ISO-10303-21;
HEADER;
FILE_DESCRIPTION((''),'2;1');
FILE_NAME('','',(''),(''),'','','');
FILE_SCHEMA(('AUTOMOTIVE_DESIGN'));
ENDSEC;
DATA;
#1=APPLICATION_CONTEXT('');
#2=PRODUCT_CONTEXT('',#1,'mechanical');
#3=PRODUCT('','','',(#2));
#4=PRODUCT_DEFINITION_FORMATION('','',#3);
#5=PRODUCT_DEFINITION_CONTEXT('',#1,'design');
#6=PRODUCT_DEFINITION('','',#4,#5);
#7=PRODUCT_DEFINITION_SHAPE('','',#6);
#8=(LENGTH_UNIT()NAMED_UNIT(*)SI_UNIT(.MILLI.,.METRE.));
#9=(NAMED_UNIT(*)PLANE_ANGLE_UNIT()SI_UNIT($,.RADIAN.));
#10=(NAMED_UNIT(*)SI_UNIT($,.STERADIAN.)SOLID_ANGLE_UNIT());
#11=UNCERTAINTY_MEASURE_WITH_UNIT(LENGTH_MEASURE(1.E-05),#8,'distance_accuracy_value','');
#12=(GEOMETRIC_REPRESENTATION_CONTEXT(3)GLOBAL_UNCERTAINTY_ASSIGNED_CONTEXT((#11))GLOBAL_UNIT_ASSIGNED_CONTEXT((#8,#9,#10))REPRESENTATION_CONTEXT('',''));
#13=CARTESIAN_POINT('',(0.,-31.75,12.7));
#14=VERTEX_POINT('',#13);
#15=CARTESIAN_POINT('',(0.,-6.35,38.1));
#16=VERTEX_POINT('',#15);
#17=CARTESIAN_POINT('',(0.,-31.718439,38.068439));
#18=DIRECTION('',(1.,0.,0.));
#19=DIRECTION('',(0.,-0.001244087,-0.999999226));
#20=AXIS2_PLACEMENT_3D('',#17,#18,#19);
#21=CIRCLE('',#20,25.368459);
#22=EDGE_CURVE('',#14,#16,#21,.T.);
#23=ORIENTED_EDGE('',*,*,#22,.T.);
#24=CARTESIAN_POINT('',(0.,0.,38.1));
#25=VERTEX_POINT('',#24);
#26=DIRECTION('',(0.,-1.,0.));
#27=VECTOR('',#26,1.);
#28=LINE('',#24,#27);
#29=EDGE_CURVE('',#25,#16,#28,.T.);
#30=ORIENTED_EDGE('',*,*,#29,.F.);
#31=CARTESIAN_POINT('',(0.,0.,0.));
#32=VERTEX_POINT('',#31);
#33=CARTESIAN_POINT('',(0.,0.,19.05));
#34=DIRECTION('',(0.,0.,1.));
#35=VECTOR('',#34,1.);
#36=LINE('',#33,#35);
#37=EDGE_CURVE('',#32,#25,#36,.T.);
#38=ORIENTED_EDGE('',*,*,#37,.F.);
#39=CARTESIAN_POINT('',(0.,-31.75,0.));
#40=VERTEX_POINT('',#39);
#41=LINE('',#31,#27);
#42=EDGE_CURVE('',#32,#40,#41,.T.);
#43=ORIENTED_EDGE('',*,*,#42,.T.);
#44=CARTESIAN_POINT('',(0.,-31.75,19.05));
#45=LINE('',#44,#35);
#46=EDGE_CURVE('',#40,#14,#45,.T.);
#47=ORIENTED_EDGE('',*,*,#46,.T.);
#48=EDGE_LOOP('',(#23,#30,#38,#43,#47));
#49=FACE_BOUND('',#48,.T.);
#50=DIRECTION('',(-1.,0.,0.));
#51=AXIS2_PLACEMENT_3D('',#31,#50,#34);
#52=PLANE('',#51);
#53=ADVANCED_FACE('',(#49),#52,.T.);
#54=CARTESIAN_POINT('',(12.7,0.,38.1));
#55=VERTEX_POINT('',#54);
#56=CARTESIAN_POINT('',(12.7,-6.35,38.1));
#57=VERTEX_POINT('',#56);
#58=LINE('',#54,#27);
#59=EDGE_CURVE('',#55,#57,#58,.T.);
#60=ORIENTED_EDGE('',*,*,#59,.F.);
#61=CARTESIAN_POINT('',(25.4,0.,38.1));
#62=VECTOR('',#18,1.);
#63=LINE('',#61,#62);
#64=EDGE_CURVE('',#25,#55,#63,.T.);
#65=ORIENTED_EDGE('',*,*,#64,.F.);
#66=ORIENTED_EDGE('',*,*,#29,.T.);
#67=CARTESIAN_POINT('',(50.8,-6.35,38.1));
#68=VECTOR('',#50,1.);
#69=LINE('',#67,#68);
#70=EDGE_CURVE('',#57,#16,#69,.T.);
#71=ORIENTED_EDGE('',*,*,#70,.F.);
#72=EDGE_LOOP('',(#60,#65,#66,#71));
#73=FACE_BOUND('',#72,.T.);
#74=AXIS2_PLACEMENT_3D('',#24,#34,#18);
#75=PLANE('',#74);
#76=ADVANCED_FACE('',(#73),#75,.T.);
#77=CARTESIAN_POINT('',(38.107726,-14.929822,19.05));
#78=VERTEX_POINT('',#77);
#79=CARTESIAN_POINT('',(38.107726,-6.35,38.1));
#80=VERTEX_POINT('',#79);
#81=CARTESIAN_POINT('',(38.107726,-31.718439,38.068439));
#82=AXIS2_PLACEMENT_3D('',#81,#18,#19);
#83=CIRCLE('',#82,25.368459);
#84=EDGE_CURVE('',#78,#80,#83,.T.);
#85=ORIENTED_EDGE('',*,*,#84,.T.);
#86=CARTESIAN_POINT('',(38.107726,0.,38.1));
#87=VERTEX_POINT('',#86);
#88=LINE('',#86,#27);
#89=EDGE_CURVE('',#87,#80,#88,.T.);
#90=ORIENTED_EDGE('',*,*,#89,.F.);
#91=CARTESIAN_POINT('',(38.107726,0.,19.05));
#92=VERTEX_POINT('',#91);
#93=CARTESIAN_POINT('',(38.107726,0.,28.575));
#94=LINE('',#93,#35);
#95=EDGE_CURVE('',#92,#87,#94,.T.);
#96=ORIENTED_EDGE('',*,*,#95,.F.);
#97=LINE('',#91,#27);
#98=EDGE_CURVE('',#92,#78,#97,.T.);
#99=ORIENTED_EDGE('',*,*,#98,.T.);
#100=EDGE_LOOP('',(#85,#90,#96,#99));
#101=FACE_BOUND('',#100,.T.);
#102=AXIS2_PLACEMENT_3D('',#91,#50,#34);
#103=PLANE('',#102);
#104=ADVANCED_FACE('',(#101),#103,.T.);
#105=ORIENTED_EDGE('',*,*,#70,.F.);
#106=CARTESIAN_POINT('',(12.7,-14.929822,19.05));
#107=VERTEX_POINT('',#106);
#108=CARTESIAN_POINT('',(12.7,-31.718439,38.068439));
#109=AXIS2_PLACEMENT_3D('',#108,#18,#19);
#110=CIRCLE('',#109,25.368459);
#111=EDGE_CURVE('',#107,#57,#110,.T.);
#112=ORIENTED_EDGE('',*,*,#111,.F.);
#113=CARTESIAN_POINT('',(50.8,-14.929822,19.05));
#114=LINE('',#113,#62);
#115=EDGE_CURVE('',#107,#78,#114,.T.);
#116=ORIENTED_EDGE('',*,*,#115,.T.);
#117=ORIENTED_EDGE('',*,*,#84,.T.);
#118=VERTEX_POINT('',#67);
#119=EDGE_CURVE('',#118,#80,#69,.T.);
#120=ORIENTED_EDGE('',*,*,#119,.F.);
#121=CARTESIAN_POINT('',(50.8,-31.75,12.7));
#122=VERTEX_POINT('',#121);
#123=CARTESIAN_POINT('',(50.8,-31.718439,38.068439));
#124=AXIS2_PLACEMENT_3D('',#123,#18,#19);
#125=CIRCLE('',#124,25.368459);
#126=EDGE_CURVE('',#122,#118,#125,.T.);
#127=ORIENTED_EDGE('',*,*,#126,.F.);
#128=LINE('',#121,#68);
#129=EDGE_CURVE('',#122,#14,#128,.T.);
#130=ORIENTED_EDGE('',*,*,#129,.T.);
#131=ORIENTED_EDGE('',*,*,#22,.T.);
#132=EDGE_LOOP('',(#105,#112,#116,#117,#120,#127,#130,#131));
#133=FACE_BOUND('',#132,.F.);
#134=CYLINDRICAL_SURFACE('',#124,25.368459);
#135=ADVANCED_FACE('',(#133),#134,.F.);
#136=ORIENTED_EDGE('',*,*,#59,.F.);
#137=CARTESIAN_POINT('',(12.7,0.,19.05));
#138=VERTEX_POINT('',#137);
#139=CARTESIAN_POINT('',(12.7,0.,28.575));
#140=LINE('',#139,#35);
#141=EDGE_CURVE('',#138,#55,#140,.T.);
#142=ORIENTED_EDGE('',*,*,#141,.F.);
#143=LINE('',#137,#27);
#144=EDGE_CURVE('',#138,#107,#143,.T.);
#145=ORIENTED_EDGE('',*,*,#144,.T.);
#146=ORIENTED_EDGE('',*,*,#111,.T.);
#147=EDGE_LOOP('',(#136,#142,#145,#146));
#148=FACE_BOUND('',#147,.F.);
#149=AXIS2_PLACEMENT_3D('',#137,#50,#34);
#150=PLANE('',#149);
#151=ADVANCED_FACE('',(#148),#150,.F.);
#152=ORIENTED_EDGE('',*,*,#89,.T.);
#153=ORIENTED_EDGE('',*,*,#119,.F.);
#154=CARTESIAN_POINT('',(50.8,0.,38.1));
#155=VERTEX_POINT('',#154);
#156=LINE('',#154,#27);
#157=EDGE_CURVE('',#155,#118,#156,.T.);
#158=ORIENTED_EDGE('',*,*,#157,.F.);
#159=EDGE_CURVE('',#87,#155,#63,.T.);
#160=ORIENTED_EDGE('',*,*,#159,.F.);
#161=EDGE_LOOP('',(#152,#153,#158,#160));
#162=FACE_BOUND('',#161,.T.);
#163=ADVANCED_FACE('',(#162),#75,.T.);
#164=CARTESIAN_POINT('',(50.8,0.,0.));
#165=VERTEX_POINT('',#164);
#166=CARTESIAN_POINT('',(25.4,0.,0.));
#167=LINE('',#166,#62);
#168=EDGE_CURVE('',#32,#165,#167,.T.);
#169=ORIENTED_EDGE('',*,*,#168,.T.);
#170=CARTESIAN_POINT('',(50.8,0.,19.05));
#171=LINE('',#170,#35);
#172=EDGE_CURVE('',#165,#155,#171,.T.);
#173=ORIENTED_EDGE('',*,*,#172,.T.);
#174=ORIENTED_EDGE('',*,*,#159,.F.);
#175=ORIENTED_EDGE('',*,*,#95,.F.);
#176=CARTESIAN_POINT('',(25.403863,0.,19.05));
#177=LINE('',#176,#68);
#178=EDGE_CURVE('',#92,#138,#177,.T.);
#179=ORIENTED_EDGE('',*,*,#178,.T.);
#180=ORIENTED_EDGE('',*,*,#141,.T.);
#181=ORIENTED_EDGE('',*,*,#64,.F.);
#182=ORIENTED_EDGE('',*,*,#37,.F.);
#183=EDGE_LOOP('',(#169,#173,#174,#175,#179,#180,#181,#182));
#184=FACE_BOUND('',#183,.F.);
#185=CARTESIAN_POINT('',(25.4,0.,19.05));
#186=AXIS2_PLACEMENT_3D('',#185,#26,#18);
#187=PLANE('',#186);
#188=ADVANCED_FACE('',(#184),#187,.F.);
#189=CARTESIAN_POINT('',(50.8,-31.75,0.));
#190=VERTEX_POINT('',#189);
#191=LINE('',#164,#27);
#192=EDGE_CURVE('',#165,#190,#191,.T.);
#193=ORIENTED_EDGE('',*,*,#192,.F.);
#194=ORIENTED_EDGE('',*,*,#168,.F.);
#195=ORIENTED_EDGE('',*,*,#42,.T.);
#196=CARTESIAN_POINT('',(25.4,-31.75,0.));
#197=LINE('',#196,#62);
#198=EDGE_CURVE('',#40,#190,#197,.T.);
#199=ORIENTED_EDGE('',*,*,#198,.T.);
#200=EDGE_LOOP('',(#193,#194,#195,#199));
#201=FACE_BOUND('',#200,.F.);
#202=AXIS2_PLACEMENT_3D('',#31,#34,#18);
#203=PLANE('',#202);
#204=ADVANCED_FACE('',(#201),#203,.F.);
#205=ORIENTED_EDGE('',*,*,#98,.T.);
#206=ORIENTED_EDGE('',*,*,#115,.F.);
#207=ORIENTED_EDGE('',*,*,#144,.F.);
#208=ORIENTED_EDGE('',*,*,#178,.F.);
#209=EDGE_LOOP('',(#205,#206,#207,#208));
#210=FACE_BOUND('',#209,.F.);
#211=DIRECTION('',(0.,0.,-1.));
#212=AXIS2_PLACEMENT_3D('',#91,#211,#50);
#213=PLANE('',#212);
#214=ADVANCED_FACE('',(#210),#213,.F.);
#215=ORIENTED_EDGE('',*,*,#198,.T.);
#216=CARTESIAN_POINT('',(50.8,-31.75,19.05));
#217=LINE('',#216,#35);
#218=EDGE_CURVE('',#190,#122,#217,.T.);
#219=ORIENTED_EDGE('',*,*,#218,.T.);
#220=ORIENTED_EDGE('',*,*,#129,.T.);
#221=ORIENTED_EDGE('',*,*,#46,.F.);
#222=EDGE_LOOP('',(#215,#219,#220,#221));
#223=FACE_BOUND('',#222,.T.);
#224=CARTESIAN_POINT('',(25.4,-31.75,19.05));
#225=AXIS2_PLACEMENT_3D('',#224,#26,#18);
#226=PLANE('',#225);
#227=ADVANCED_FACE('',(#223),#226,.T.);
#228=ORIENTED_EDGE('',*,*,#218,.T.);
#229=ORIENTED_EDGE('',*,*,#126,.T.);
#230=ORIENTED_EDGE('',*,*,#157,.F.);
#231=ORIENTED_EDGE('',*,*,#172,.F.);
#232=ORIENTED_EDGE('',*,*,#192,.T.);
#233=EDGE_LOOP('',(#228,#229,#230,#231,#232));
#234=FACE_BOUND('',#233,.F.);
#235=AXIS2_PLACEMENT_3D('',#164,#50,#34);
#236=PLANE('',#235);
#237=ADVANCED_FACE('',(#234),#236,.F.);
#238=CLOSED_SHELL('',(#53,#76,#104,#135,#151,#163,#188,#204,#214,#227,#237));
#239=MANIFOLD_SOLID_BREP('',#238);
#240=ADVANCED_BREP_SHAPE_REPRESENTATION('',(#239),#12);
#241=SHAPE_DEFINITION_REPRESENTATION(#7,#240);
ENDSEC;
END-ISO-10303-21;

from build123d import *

# Parameters (mm, degrees)
F0_W     = 50.8
F0_H     = 38.1
F1_DEPTH = 31.75
F3_DEPTH = 50.801
F4_W     = 25.407727
F4_H     = 19.05
F5_DEPTH = 31.751


with BuildPart() as f1:
    # F0 (on Front) → F1 (new body)
    with BuildSketch(Plane.XZ):
        with Locations((25.4, 19.05)):
            Rectangle(F0_W, F0_H)
    extrude(amount=F1_DEPTH)

    # F2 (on face) → F3 (cut, through all)
    with BuildSketch(Plane.YZ.offset(50.8)):
        with BuildLine():
            Line((-31.75, 38.1), (-31.75, 12.7))
            ThreePointArc((-31.75, 12.7), (-13.78023, 20.13023), (-6.35, 38.1))
            Line((-6.35, 38.1), (-31.75, 38.1))
        make_face()
    extrude(amount=-F3_DEPTH, mode=Mode.SUBTRACT)

    # F4 (on face) → F5 (cut, through all)
    with BuildSketch(Plane(origin=(0, 0, 0), x_dir=(-1, 0, 0), z_dir=(0, 1, 0))):
        with Locations((-25.403863, 28.575)):
            Rectangle(F4_W, F4_H)
    extrude(amount=-F5_DEPTH, mode=Mode.SUBTRACT)


solid = f1.part
